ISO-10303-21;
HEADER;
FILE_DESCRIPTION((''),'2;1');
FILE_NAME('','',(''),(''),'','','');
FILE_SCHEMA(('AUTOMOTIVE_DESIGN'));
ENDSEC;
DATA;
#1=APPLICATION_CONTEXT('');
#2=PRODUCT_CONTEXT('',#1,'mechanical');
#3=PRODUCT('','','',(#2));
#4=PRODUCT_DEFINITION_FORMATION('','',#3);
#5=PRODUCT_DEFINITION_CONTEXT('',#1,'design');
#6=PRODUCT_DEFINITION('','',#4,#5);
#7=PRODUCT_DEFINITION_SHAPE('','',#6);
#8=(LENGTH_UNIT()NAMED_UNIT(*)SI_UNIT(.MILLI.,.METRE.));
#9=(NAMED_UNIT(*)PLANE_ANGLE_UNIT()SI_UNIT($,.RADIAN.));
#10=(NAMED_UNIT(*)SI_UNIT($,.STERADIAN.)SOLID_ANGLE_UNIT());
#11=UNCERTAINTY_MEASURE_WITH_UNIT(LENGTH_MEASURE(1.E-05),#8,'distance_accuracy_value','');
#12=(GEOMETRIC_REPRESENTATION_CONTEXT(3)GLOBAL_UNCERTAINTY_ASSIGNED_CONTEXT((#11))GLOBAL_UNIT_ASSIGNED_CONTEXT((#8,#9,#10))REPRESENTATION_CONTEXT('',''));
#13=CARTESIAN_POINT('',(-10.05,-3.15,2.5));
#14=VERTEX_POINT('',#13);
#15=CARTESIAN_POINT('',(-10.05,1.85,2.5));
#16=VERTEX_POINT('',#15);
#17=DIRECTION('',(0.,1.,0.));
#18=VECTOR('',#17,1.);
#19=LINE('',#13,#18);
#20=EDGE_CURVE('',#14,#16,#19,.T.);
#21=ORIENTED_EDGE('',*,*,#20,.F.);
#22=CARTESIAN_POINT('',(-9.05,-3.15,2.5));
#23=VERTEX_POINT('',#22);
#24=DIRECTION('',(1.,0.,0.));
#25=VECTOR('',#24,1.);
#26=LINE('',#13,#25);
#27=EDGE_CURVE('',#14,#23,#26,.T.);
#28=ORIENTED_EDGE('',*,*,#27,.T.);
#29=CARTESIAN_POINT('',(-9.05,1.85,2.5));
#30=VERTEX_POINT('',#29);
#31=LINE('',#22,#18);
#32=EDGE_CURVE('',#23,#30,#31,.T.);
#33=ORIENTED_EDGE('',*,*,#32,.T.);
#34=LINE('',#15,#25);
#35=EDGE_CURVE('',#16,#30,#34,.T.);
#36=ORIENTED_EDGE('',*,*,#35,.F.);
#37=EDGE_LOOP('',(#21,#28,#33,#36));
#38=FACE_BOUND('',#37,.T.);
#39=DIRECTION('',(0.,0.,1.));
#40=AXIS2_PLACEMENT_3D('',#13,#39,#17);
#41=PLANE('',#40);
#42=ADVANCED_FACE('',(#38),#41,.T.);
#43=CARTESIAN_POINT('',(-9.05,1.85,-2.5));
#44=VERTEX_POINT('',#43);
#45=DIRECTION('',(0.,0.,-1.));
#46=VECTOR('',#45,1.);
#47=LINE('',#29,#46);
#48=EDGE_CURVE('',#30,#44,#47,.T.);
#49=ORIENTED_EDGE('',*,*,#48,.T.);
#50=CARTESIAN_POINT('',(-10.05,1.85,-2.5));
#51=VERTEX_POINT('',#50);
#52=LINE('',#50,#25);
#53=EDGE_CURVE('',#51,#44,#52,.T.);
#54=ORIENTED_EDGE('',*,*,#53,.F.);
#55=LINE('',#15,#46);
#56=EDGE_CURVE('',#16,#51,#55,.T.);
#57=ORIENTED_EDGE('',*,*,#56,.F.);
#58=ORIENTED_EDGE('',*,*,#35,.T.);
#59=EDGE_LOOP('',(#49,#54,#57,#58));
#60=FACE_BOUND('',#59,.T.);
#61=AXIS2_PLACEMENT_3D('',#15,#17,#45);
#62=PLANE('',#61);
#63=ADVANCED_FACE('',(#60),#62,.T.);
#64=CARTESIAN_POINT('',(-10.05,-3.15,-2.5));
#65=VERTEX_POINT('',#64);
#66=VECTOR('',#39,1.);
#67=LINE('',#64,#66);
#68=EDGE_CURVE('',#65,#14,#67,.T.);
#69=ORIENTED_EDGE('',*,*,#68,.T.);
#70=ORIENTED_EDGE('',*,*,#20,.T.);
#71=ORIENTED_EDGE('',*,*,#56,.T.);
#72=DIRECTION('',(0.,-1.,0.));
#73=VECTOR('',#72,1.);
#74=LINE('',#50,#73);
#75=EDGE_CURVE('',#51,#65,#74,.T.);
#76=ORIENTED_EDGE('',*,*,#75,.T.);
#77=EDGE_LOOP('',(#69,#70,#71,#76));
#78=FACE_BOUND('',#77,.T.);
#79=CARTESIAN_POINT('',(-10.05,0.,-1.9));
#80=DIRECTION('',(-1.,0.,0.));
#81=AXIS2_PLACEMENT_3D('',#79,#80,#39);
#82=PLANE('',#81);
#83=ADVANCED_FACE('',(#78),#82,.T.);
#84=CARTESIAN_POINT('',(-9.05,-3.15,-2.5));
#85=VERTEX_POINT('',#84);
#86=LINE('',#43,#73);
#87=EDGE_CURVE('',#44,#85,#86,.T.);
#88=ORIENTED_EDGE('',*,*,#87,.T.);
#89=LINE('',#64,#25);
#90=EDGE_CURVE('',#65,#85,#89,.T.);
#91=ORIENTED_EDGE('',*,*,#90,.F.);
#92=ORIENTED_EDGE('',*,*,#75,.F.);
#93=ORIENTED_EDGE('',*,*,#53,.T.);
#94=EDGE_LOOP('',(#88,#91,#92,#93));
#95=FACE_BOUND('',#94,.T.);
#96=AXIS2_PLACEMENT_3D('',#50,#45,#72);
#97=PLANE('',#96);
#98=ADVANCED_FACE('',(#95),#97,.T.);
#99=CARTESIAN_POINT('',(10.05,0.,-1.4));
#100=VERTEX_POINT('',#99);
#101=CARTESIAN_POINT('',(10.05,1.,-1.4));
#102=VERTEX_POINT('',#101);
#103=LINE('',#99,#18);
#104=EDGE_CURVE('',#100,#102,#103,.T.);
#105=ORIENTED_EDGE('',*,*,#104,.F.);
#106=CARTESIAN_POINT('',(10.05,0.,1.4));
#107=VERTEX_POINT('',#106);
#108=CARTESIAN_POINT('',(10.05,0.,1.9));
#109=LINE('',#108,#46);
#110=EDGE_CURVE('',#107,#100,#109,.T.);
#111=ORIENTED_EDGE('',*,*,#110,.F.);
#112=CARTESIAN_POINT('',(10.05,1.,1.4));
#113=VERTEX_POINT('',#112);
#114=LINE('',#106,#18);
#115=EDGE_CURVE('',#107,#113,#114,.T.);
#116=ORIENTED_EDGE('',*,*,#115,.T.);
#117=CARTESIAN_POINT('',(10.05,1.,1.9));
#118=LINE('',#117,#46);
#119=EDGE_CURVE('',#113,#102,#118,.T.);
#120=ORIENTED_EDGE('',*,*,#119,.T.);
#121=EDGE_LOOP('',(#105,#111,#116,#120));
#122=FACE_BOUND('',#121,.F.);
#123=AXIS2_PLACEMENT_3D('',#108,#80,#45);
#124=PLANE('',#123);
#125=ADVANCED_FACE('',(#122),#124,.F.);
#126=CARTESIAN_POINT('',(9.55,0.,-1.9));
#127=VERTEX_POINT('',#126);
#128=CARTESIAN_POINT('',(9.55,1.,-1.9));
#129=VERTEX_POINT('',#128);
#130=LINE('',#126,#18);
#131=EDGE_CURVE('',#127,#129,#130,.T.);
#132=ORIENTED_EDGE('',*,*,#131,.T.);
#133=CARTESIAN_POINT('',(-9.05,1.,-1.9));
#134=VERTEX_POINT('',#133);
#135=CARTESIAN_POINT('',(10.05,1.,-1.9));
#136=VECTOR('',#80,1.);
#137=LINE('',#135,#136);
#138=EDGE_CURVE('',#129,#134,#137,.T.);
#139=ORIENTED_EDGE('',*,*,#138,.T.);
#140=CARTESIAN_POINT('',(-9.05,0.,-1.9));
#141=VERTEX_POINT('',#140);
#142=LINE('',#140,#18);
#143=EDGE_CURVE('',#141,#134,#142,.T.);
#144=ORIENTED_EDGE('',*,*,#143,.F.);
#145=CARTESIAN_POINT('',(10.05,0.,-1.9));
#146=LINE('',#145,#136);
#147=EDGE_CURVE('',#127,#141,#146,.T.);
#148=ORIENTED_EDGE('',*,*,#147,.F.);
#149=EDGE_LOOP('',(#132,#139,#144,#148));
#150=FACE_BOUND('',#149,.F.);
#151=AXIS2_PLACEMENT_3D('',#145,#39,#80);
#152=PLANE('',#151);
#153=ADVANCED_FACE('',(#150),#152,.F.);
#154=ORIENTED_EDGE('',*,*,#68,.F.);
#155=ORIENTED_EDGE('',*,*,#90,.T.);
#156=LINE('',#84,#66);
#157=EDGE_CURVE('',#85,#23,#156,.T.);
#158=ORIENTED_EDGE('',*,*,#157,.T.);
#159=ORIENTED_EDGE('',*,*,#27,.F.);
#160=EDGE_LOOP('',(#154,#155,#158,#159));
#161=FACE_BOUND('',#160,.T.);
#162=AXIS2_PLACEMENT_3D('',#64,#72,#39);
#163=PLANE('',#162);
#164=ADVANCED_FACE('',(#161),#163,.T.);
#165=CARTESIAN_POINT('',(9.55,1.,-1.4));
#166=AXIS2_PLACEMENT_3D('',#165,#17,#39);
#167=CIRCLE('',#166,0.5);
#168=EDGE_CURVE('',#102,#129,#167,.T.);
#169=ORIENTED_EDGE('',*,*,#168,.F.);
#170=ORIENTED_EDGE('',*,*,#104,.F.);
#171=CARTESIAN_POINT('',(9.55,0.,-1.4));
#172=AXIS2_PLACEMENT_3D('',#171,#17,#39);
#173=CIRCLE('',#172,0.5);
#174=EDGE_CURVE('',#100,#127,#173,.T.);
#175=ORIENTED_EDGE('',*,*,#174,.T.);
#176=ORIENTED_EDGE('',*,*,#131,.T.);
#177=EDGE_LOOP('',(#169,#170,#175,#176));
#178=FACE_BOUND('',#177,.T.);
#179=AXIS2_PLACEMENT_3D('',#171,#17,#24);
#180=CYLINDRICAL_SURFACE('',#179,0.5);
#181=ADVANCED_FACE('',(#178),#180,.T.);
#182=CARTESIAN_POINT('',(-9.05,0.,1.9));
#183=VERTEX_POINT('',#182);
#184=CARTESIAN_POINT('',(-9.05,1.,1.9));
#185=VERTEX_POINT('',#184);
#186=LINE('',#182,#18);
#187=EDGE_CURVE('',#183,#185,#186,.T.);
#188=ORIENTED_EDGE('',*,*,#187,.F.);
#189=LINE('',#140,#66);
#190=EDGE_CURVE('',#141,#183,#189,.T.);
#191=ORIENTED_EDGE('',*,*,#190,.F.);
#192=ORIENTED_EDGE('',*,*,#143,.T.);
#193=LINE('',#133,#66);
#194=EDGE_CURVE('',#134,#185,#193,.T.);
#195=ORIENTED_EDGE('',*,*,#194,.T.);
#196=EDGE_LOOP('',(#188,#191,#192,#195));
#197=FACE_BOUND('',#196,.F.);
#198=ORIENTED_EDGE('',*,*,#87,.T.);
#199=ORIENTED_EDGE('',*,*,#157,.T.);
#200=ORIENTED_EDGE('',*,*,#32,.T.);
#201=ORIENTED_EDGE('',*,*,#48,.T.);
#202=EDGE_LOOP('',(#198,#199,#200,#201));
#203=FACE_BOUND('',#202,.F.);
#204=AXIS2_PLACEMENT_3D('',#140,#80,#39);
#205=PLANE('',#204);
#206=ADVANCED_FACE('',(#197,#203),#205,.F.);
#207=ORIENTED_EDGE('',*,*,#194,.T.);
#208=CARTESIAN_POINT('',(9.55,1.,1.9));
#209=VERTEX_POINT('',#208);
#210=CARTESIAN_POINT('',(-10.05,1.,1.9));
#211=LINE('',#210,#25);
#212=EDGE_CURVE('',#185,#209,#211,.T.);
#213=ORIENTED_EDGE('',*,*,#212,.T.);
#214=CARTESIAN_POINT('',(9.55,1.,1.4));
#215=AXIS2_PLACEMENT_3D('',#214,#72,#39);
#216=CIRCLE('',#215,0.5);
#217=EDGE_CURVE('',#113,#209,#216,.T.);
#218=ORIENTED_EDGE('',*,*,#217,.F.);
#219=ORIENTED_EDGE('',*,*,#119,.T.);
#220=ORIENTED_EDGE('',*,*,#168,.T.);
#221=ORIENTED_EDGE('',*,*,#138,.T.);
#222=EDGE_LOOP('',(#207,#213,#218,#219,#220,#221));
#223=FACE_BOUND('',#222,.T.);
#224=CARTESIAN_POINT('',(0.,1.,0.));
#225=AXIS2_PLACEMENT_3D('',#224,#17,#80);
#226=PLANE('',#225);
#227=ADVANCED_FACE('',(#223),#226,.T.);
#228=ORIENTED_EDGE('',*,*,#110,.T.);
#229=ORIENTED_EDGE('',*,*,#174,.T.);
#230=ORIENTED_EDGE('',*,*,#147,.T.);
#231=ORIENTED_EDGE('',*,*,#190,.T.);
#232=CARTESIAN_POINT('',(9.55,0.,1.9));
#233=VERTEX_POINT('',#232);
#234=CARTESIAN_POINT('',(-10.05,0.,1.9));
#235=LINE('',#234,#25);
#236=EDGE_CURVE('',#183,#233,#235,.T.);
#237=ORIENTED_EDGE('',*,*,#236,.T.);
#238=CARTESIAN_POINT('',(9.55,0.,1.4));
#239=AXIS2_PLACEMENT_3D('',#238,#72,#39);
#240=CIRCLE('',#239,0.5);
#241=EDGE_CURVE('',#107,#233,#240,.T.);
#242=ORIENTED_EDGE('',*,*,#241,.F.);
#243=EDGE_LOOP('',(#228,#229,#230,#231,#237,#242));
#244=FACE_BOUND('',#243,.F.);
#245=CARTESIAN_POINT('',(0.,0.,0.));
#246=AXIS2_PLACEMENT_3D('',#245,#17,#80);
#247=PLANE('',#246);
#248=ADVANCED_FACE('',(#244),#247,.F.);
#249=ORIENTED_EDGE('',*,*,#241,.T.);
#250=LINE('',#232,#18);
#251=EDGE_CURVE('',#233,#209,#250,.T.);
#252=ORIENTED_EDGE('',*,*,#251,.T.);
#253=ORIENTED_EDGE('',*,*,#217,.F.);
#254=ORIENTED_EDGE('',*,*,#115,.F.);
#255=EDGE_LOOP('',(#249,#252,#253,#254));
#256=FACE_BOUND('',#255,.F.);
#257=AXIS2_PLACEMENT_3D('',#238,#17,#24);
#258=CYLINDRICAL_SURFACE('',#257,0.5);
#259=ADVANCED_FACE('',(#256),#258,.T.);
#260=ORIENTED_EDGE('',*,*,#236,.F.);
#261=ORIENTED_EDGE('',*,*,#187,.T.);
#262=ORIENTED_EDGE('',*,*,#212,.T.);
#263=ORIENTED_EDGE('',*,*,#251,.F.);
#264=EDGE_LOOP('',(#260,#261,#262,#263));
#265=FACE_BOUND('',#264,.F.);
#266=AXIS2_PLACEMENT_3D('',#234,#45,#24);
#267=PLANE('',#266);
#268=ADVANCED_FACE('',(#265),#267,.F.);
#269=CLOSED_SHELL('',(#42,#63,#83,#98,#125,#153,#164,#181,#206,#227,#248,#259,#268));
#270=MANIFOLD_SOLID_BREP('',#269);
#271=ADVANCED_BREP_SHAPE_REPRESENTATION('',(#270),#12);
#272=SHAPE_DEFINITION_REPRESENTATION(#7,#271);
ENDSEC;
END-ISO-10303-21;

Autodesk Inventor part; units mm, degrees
ref_plane "YZ Plane" through (0, 0, 0) normal (1, 0, 0) x (0, 1, 0)
ref_plane "XZ Plane" through (0, 0, 0) normal (0, 1, 0) x (-1, 0, 0)
ref_plane "XY Plane" through (0, 0, 0) normal (0, 0, 1) x (1, 0, 0)
sketch "Sketch1" plane through (0, 0, 0) normal (0, 1, 0) x (-1, 0, 0)
  line L0 (-10.05, -1.9) -> (10.05, -1.9)
  line L1 (10.05, -1.9) -> (10.05, 1.9)
  line L2 (10.05, 1.9) -> (-10.05, 1.9)
  line L3 (-10.05, 1.9) -> (-10.05, -1.9)
  line L4 (-10.05, -1.9) -> (10.05, 1.9) construction
  line L5 (10.05, -1.9) -> (-10.05, 1.9) construction
  point P0 (0, 0)
  dimension "d0" = 3.8
  dimension "d1" = 20.1
extrude "Extrusion1" add sketch "Sketch1" along normal blind 1
fillet "Fillet1" radius 0.5 2 edges at (10.05, 0.5, 1.9) (10.05, 0.5, -1.9)
sketch "Sketch2" plane through (-10.05, 0, -1.9) normal (-1, 0, 0) x (0, 0, 1)
  line L0 (0, 0) -> (3.8, 0) projected
  line L1 (3.8, 0) -> (3.8, 1) projected
  line L2 (0, 1) -> (3.8, 1) projected
  line L3 (0, 0) -> (0, 1) projected
  line L4 (-0.6, -3.15) -> (4.4, -3.15)
  line L5 (4.4, -3.15) -> (4.4, 1.85)
  line L6 (4.4, 1.85) -> (-0.6, 1.85)
  line L7 (-0.6, 1.85) -> (-0.6, -3.15)
  line L8 (-0.6, -3.15) -> (4.4, 1.85) construction
  line L9 (4.4, -3.15) -> (-0.6, 1.85) construction
  line L10 (-2.05, -4.6) -> (5.85, -4.6) construction
  line L11 (5.85, -4.6) -> (5.85, 3.3) construction
  line L12 (5.85, 3.3) -> (-2.05, 3.3) construction
  line L13 (-2.05, 3.3) -> (-2.05, -4.6) construction
  line L14 (-2.05, -4.6) -> (5.85, 3.3) construction
  line L15 (5.85, -4.6) -> (-2.05, 3.3) construction
  point P0 (1.9, 0)
  point P1 (1.9, -0.65)
  point P2 (1.9, -0.65)
  dimension "d5" = 5
  dimension "d6" = 5
  dimension "d7" = 7.9
  dimension "d8" = 7.9
  dimension "d9" = 3.3
  dimension "d10" = 2.5
extrude "Extrusion2" add sketch "Sketch2" against normal blind 1
properties part number "Powerpole45APCBStraight" material "Stainless Steel"
